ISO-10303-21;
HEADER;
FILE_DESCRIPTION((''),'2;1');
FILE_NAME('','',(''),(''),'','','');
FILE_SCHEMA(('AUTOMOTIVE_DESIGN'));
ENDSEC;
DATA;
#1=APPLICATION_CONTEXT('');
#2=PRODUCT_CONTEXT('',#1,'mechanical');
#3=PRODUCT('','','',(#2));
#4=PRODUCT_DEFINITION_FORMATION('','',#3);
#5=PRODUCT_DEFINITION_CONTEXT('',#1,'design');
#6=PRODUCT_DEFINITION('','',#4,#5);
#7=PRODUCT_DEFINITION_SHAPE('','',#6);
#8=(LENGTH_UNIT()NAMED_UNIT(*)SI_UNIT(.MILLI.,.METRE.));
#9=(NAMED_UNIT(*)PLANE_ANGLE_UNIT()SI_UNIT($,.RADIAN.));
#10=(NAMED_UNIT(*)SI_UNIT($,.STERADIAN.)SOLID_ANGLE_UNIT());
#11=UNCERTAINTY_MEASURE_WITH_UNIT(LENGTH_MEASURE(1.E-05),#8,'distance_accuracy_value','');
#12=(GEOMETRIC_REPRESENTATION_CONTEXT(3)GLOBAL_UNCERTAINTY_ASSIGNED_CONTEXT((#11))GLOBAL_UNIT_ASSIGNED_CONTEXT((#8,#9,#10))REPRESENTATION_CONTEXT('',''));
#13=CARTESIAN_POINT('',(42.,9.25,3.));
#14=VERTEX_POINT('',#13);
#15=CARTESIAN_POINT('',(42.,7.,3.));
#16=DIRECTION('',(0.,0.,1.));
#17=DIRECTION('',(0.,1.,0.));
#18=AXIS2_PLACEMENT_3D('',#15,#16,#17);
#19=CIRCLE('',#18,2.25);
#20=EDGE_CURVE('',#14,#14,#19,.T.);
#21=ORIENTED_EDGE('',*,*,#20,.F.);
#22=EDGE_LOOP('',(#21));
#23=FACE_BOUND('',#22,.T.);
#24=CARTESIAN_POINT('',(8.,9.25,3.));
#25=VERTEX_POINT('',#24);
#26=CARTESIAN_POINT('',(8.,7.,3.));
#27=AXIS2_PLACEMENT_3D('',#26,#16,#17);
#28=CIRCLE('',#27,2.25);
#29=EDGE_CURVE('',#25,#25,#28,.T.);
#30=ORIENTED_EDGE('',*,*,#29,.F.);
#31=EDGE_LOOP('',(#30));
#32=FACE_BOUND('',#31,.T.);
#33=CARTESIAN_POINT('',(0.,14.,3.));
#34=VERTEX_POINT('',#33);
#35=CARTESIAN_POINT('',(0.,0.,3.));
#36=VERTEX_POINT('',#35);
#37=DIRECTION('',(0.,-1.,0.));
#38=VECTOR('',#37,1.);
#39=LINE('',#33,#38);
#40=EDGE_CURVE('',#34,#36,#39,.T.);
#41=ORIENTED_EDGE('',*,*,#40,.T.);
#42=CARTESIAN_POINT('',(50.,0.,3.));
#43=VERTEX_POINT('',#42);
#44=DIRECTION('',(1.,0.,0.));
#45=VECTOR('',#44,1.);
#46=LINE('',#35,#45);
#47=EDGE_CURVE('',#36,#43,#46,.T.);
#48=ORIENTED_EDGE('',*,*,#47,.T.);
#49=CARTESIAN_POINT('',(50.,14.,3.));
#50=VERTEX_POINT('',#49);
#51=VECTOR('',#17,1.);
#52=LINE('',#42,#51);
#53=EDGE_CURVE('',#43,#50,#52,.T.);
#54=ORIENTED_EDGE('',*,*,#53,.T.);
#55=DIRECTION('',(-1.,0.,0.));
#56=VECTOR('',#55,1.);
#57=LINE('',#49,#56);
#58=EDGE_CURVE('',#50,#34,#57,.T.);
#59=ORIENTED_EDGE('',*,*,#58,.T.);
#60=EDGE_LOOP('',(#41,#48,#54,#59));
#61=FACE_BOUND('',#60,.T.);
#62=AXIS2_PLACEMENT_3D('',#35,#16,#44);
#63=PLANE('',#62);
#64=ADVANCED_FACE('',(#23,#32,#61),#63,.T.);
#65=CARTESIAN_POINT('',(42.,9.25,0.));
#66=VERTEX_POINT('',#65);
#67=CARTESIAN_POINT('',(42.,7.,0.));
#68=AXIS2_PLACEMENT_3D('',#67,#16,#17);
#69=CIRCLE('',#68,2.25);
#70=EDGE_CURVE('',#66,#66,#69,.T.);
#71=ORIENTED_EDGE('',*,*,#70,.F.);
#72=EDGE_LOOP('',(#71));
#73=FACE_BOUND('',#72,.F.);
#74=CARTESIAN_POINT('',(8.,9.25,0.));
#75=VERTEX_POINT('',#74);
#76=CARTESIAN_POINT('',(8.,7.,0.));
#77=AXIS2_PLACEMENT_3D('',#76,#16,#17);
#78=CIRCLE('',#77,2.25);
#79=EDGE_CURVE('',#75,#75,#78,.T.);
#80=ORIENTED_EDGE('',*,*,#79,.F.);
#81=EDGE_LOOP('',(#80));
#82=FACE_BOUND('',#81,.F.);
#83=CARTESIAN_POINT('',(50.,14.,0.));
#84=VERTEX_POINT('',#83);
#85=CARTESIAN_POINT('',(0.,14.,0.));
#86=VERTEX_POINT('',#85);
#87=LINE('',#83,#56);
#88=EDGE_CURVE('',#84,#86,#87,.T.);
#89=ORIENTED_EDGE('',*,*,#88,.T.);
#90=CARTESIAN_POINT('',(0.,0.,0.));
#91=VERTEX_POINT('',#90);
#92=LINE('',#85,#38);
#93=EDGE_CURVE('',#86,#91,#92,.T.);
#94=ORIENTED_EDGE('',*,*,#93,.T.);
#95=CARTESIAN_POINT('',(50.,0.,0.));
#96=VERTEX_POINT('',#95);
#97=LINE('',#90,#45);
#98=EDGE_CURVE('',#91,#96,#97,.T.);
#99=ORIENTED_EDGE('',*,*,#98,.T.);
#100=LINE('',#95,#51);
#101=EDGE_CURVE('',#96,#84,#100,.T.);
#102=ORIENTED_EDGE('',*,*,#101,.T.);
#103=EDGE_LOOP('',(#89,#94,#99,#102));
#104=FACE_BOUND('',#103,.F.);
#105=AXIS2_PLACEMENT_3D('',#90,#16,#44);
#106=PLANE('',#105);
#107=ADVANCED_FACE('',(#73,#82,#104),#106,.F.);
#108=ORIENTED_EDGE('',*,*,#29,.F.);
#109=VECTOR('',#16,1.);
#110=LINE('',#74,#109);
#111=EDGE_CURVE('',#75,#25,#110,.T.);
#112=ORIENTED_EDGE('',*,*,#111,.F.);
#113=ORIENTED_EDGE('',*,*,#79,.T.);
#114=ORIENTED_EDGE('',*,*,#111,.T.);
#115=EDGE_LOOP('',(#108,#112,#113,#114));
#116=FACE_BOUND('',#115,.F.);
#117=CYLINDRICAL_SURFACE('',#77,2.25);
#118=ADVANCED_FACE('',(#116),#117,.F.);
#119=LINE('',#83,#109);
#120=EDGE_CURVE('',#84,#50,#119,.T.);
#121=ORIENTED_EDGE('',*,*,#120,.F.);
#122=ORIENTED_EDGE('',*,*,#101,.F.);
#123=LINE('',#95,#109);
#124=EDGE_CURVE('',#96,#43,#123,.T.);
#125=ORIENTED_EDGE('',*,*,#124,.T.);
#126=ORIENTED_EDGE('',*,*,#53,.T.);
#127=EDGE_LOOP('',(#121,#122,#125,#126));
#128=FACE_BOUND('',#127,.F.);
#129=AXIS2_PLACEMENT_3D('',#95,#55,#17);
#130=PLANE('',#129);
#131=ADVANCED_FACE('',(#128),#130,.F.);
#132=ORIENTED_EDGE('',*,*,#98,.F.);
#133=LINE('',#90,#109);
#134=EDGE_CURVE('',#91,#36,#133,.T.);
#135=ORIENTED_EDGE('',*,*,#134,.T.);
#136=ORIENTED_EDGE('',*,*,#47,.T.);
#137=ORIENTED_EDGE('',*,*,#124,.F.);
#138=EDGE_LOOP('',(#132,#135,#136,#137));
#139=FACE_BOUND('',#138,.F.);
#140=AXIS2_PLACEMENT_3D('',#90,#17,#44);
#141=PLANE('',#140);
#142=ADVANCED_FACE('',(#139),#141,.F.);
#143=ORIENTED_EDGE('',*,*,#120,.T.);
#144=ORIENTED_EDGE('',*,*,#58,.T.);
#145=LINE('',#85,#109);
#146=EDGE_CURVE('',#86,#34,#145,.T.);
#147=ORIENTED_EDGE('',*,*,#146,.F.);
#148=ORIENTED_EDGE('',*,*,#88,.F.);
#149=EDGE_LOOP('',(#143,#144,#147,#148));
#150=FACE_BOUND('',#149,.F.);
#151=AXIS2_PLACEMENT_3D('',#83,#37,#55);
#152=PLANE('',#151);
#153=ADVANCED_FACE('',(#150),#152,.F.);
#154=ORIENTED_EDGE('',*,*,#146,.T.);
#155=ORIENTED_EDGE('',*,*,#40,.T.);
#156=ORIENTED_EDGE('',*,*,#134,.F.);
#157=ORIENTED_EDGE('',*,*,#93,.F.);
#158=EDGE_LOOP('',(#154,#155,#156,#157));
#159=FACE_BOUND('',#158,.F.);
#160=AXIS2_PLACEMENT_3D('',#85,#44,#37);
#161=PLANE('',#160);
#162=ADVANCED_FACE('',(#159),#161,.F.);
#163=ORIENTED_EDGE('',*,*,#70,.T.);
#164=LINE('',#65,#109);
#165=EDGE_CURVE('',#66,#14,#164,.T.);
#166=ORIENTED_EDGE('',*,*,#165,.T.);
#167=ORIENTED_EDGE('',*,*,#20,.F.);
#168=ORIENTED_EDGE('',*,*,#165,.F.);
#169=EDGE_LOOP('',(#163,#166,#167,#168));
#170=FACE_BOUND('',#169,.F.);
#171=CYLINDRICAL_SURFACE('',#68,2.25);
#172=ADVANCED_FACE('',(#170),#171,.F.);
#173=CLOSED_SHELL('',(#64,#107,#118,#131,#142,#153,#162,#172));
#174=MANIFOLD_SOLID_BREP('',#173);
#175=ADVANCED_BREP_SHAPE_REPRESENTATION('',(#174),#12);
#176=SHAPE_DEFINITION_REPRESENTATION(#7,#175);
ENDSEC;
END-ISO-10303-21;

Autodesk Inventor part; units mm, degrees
ref_plane "YZ Plane" through (0, 0, 0) normal (1, 0, 0) x (0, 1, 0)
ref_plane "XZ Plane" through (0, 0, 0) normal (0, 1, 0) x (-1, 0, 0)
ref_plane "XY Plane" through (0, 0, 0) normal (0, 0, 1) x (1, 0, 0)
sketch "Sketch1" plane through (0, 0, 0) normal (0, 0, 1) x (1, 0, 0)
  line L0 (0, 0) -> (50, 0)
  line L1 (50, 0) -> (50, 14)
  line L2 (50, 14) -> (0, 14)
  line L3 (0, 14) -> (0, 0)
  dimension "d0" = 50
  dimension "d1" = 14
extrude "Extrusion1" add sketch "Sketch1" along normal blind 3
sketch "Sketch2" plane through (0, 0, 0) normal (0, 0, -1) x (-1, 0, 0)
  line L0 (0, 0) -> (-50, 0) projected
  line L1 (0, 14) -> (0, 0) projected
  point P0 (-8, 7)
  point P1 (-42, 7)
  dimension "d4" = 7
  dimension "d5" = 7
  dimension "d6" = 34
  dimension "d14" = 8
hole "Hole1" at (8, 7, 0) at (42, 7, 0) direction (0, 0, 1) diameter 4.5 end through all
sketch "Sketch3" plane through (0, 0, 0) normal (0, 0, -1) x (-1, 0, 0)
  point P0 (0, 0)
sketch "Sketch4" plane through (0, 0, 0) normal (0, 0, -1) x (-1, 0, 0)
  point P0 (0, 0)
sketch "Sketch5" plane through (0, 0, 0) normal (0, 0, -1) x (-1, 0, 0)
  point P0 (0, 0)
sketch "Sketch6" plane through (0, 0, 0) normal (0, 0, -1) x (-1, 0, 0)
  point P0 (0, 0)
sketch "Sketch7" plane through (0, 0, 0) normal (0, 0, -1) x (-1, 0, 0)
  point P0 (0, 0)
properties part number "adjustmentHingePlate"
